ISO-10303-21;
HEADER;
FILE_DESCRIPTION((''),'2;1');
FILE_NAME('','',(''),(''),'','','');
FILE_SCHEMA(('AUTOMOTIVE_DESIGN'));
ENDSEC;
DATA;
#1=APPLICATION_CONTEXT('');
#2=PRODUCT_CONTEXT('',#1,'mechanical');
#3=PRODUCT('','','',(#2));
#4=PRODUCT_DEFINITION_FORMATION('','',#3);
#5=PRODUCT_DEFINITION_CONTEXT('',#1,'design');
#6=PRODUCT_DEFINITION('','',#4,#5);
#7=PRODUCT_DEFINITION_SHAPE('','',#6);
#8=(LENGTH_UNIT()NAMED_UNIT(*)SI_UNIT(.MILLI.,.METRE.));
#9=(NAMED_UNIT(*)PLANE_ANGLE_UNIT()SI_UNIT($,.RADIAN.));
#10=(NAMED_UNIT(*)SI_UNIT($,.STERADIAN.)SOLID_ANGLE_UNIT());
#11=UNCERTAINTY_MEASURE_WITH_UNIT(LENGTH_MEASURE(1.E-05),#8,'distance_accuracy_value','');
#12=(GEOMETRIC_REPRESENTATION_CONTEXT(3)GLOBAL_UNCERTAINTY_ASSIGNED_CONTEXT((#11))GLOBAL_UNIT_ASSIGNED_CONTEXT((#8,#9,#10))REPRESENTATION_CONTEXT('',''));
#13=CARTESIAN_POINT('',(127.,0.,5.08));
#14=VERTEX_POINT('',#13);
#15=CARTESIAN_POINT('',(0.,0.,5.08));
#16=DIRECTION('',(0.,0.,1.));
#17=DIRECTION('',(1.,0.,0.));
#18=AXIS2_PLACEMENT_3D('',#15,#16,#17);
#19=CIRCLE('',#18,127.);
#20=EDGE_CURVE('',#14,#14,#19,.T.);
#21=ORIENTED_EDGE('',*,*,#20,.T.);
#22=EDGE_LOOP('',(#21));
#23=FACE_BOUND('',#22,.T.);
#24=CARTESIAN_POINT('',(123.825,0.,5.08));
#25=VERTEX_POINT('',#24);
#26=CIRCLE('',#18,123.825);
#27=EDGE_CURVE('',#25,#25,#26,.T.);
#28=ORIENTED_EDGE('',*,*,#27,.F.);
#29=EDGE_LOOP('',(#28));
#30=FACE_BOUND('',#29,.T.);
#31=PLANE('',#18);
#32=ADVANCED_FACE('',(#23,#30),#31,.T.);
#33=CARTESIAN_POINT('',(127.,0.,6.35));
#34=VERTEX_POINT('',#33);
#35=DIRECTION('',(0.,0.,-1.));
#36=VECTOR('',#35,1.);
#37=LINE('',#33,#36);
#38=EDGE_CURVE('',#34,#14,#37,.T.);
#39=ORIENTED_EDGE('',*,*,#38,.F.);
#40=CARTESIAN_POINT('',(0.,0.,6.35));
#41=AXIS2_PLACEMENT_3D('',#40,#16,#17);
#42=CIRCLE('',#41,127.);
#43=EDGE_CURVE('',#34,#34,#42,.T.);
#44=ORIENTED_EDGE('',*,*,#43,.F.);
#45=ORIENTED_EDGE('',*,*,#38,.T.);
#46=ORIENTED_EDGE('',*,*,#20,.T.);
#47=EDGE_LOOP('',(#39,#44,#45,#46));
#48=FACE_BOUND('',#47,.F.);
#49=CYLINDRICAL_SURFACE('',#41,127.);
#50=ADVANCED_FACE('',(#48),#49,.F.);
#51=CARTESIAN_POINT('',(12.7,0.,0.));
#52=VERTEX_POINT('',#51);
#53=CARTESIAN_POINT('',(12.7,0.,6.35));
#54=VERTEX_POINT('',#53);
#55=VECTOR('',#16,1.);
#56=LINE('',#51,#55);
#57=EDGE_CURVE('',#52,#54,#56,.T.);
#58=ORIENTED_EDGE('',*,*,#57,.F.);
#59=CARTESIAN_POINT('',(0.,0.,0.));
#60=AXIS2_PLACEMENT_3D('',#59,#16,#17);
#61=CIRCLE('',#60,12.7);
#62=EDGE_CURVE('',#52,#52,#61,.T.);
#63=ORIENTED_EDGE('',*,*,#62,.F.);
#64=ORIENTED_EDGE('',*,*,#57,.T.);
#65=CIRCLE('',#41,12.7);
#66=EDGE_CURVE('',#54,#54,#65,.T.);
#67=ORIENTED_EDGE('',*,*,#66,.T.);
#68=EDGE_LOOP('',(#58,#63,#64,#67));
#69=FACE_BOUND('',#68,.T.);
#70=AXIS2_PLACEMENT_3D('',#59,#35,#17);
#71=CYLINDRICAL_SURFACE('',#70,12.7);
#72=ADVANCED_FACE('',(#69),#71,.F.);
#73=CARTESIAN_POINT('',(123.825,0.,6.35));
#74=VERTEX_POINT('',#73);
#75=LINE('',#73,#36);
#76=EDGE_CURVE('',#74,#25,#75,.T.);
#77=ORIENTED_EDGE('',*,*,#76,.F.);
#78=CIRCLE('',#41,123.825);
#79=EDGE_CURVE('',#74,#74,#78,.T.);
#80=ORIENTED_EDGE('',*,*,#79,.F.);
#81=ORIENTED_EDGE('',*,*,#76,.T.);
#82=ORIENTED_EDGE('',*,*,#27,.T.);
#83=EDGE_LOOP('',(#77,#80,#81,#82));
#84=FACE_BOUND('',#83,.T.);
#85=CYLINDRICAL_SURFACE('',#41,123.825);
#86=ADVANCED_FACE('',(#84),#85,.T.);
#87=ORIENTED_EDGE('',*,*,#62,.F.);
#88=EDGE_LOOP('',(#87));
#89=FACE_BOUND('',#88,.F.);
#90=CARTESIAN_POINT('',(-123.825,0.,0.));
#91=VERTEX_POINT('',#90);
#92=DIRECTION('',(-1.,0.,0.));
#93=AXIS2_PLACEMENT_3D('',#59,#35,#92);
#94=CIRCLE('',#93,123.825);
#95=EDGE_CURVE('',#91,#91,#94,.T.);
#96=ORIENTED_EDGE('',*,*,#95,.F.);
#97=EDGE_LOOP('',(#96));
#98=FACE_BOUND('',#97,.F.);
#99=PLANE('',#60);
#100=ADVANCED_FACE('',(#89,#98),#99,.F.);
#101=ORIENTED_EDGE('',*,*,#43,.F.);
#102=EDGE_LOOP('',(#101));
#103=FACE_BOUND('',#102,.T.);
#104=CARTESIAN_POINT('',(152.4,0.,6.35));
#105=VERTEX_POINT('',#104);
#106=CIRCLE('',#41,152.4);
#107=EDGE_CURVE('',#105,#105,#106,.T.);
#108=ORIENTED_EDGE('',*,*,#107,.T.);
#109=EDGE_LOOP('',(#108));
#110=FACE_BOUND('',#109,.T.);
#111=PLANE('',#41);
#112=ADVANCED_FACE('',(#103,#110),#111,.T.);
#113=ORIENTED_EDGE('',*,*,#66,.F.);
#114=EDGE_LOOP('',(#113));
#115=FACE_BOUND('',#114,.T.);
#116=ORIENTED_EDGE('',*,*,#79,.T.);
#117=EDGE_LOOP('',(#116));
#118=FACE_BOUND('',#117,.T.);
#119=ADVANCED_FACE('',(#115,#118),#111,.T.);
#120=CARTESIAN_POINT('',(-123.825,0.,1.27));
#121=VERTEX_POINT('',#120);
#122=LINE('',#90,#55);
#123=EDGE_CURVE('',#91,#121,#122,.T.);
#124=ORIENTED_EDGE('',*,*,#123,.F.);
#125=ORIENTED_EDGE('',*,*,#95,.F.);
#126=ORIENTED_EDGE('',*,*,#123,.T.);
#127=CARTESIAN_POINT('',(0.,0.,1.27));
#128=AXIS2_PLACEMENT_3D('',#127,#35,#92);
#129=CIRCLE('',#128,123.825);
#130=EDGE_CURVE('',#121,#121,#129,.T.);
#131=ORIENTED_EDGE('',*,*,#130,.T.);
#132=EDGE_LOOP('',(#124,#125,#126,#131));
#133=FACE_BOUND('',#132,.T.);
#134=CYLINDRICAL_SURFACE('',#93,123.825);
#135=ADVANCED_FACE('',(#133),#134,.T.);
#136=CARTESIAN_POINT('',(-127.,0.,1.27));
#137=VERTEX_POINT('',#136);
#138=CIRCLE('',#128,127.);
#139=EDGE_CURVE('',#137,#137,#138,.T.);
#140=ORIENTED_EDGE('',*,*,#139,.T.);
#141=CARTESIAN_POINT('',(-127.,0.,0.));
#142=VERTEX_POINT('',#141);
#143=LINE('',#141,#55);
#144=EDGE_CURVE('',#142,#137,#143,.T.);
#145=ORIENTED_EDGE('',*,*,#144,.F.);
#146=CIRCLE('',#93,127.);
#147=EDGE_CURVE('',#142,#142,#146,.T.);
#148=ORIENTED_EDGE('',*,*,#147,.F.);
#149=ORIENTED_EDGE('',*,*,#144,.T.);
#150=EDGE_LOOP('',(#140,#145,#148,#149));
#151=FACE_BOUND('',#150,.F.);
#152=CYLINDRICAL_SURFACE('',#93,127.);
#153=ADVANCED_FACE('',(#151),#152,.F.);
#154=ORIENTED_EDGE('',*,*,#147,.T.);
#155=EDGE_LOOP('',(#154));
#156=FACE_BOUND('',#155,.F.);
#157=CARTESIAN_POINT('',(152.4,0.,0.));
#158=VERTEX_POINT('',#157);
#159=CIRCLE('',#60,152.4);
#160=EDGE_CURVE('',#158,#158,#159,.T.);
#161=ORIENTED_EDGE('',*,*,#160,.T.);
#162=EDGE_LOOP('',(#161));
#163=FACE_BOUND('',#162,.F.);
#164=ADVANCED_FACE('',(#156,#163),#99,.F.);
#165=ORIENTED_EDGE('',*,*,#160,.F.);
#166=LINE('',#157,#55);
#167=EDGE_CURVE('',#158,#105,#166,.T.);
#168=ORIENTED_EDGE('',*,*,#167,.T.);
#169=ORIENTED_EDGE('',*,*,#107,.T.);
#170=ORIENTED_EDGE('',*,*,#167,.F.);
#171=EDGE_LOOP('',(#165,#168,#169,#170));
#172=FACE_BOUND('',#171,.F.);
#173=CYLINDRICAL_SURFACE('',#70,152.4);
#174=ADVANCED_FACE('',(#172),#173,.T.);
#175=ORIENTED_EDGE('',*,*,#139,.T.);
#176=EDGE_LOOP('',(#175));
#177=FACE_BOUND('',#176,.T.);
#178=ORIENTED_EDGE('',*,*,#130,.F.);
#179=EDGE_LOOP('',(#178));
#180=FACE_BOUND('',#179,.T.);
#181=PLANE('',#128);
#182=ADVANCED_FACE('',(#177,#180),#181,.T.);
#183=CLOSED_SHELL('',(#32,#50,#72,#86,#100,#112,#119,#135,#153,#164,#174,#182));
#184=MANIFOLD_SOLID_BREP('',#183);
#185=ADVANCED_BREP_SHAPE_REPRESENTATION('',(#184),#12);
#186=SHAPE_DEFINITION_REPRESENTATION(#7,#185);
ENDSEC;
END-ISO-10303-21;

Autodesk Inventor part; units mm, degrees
ref_plane "YZ Plane" through (0, 0, 0) normal (1, 0, 0) x (0, 1, 0)
ref_plane "XZ Plane" through (0, 0, 0) normal (0, 1, 0) x (-1, 0, 0)
ref_plane "XY Plane" through (0, 0, 0) normal (0, 0, 1) x (1, 0, 0)
sketch "Sketch1" plane through (0, 0, 0) normal (0, 0, 1) x (1, 0, 0)
  circle A0 centre (0, 0) radius 152.4
  circle A1 centre (0, 0) radius 12.7
  dimension "d0" = 304.8
  dimension "d1" = 25.4
extrude "Extrusion1" add sketch "Sketch1" along normal blind 6.35
sketch "Sketch2" plane through (0, 0, 6.35) normal (0, 0, 1) x (1, 0, 0)
  point P0 (0, 0)
sketch "Sketch3" plane through (0, 0, 6.35) normal (0, 0, 1) x (1, 0, 0)
  circle A0 centre (0, 0) radius 127
  circle A1 centre (0, 0) radius 123.825
  dimension "d4" = 254
  dimension "d5" = 247.65
extrude "Extrusion2" cut sketch "Sketch3" against normal blind 1.27
sketch "Sketch4" plane through (0, 0, 0) normal (0, 0, -1) x (-1, 0, 0)
  circle A0 centre (0, 0) radius 152.4
  circle A1 centre (0, 0) radius 127
  circle A2 centre (0, 0) radius 123.825
  dimension "d8" = 254
  dimension "d9" = 247.65
extrude "Extrusion3" cut sketch "Sketch4" against normal blind 1.27 contours A1
properties part number "Plate"
